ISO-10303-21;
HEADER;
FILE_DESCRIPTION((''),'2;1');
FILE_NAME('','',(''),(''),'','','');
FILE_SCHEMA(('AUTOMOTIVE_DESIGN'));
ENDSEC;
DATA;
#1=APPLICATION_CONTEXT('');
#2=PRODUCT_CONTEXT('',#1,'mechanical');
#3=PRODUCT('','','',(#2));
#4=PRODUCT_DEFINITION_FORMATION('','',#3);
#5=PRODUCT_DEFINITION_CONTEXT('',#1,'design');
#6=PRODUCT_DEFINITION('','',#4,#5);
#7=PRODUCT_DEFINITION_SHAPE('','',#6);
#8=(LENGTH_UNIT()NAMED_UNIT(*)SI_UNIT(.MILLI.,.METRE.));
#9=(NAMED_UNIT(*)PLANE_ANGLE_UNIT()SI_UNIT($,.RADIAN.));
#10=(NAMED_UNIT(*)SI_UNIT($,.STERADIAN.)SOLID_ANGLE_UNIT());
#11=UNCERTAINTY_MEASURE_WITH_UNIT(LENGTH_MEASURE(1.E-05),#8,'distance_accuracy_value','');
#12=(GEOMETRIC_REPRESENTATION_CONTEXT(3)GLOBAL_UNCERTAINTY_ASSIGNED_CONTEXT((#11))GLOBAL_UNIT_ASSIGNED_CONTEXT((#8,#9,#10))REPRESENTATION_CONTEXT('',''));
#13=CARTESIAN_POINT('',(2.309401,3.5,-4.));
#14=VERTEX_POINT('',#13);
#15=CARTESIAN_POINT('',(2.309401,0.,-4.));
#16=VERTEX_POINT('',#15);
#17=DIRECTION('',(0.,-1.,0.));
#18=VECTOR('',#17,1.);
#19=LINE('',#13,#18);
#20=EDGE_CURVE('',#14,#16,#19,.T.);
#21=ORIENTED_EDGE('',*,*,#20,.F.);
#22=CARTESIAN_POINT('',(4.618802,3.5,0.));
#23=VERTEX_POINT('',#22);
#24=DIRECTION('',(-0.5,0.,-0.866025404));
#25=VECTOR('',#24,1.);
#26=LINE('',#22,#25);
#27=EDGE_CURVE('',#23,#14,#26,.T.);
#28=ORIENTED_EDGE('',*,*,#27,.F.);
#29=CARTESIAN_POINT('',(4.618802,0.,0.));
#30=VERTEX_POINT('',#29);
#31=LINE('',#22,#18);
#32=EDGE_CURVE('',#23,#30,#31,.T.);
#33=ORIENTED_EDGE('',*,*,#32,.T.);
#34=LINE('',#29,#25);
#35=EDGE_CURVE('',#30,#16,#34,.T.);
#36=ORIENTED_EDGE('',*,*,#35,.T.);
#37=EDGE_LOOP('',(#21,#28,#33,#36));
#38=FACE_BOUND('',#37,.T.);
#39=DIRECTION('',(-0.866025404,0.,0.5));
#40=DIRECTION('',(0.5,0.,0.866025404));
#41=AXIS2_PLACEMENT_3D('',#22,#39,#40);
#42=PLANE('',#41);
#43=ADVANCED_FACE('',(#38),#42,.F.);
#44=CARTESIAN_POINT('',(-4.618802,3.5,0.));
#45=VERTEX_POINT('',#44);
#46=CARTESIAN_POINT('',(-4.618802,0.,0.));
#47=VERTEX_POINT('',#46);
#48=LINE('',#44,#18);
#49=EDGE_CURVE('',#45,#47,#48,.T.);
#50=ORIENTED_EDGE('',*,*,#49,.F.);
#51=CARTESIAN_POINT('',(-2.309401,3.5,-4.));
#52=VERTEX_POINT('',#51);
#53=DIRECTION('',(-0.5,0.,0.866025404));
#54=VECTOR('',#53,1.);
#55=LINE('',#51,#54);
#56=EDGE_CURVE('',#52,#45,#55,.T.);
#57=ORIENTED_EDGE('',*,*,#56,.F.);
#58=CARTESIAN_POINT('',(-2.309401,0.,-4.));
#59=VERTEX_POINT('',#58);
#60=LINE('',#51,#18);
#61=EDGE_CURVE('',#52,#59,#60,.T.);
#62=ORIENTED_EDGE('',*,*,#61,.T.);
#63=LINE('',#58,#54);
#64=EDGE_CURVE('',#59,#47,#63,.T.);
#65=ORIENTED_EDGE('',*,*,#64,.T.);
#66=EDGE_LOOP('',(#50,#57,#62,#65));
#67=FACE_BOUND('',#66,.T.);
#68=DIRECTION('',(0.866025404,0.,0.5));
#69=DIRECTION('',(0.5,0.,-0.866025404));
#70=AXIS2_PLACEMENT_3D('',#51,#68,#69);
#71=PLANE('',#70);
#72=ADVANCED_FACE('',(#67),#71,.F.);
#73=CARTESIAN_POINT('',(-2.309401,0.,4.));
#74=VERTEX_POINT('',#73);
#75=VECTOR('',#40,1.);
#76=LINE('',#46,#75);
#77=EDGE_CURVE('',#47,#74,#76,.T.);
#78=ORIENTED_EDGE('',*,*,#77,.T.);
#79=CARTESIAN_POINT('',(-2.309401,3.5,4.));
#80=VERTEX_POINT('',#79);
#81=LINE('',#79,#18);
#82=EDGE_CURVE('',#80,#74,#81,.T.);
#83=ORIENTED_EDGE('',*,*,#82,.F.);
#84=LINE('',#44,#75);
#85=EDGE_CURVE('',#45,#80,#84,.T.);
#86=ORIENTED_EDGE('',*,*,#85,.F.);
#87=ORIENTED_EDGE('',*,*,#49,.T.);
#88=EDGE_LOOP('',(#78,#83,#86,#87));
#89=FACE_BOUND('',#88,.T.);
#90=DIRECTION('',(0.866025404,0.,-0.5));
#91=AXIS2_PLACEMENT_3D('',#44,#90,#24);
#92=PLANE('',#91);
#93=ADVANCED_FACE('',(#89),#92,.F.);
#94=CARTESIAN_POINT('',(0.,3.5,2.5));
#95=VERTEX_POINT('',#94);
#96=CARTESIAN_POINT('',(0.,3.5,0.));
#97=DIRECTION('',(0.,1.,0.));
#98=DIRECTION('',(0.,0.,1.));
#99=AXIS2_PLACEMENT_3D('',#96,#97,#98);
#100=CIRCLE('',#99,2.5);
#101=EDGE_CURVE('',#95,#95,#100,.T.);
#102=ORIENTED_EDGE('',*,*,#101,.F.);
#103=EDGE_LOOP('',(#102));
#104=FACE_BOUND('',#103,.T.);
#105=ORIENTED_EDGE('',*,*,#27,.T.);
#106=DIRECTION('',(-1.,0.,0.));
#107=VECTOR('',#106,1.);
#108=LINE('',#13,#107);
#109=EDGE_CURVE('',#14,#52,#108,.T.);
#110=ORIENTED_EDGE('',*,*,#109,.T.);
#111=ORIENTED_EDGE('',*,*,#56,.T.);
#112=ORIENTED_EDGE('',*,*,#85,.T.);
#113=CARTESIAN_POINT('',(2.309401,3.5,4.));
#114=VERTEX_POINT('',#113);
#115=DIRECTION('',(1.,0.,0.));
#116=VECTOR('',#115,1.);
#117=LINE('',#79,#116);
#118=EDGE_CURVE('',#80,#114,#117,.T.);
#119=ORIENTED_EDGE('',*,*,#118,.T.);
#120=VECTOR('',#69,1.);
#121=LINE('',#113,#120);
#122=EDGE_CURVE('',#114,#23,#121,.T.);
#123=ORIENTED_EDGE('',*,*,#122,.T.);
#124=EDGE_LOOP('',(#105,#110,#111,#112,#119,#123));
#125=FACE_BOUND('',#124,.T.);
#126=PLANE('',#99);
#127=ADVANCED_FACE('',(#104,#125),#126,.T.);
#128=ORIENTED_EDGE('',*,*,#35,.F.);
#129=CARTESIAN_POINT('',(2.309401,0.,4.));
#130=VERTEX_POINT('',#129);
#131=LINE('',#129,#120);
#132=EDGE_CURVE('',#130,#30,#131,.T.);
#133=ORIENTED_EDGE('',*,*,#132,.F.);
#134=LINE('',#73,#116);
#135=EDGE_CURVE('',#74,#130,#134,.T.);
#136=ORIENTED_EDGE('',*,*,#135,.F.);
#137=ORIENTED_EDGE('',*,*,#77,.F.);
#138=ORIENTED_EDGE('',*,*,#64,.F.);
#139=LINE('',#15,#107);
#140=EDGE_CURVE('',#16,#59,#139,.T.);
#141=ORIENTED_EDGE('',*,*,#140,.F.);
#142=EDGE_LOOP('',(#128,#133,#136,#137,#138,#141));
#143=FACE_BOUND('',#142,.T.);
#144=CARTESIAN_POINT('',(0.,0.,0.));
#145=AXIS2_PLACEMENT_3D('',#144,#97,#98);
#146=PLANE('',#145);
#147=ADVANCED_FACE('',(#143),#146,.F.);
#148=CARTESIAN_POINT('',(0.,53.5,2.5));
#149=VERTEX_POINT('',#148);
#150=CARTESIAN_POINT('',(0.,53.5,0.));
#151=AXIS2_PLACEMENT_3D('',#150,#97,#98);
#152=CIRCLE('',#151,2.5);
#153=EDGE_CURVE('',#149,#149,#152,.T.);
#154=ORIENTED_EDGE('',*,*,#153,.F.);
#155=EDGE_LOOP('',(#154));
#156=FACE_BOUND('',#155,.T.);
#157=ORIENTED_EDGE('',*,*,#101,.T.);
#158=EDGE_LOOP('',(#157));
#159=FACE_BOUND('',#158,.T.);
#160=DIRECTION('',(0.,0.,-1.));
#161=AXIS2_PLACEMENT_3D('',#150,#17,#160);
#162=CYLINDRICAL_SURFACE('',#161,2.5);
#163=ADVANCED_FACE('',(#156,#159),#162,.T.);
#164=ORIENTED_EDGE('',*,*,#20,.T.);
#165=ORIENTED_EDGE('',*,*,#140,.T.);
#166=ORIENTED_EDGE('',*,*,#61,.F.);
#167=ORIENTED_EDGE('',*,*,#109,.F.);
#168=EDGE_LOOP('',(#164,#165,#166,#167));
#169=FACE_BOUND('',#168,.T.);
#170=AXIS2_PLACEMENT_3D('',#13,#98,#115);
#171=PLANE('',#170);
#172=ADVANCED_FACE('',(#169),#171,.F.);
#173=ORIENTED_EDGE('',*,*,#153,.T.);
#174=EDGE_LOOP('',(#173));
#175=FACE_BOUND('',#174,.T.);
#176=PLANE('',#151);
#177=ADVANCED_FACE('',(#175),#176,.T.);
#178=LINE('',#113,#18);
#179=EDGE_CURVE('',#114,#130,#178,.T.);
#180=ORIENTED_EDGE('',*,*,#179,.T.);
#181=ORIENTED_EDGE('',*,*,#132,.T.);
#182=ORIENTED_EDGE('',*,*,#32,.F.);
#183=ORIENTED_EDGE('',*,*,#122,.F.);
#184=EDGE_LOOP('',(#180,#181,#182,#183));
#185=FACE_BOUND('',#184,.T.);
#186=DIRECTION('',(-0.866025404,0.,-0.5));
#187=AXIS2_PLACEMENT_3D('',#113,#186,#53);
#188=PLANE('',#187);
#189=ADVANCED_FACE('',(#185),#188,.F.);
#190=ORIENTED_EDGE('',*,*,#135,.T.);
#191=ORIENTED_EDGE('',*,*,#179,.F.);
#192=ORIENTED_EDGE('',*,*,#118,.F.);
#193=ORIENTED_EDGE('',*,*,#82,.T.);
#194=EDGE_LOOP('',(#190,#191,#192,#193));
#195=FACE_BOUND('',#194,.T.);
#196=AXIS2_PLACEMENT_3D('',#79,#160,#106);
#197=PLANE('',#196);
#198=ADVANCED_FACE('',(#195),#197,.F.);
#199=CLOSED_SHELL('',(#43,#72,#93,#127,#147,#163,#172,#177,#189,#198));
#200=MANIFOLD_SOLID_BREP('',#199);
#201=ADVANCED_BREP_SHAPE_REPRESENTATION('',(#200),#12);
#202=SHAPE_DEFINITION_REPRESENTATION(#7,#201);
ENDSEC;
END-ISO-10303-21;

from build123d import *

# Parameters (mm, degrees)
BOSS_EXTRUDE1_DEPTH = 3.5
SKETCH2_R           = 2.5
BOSS_EXTRUDE2_DEPTH = 50


with BuildPart() as part:
    # Sketch1 → Boss-Extrude1 (new body)
    with BuildSketch(Plane(origin=(0, 0, 0), x_dir=(1, 0, 0), z_dir=(0, 1, 0))):
        Polygon((4.618802154, 0), (2.309401077, 4), (-2.309401077, 4), (-4.618802154, 0), (-2.309401077, -4), (2.309401077, -4), align=None)
    extrude(amount=BOSS_EXTRUDE1_DEPTH)

    # Sketch2 → Boss-Extrude2 (add)
    with BuildSketch(Plane(origin=(0, 3.5, 0), x_dir=(1, 0, 0), z_dir=(0, 1, 0))):
        Circle(SKETCH2_R)
    extrude(amount=BOSS_EXTRUDE2_DEPTH)


solid = part.part
